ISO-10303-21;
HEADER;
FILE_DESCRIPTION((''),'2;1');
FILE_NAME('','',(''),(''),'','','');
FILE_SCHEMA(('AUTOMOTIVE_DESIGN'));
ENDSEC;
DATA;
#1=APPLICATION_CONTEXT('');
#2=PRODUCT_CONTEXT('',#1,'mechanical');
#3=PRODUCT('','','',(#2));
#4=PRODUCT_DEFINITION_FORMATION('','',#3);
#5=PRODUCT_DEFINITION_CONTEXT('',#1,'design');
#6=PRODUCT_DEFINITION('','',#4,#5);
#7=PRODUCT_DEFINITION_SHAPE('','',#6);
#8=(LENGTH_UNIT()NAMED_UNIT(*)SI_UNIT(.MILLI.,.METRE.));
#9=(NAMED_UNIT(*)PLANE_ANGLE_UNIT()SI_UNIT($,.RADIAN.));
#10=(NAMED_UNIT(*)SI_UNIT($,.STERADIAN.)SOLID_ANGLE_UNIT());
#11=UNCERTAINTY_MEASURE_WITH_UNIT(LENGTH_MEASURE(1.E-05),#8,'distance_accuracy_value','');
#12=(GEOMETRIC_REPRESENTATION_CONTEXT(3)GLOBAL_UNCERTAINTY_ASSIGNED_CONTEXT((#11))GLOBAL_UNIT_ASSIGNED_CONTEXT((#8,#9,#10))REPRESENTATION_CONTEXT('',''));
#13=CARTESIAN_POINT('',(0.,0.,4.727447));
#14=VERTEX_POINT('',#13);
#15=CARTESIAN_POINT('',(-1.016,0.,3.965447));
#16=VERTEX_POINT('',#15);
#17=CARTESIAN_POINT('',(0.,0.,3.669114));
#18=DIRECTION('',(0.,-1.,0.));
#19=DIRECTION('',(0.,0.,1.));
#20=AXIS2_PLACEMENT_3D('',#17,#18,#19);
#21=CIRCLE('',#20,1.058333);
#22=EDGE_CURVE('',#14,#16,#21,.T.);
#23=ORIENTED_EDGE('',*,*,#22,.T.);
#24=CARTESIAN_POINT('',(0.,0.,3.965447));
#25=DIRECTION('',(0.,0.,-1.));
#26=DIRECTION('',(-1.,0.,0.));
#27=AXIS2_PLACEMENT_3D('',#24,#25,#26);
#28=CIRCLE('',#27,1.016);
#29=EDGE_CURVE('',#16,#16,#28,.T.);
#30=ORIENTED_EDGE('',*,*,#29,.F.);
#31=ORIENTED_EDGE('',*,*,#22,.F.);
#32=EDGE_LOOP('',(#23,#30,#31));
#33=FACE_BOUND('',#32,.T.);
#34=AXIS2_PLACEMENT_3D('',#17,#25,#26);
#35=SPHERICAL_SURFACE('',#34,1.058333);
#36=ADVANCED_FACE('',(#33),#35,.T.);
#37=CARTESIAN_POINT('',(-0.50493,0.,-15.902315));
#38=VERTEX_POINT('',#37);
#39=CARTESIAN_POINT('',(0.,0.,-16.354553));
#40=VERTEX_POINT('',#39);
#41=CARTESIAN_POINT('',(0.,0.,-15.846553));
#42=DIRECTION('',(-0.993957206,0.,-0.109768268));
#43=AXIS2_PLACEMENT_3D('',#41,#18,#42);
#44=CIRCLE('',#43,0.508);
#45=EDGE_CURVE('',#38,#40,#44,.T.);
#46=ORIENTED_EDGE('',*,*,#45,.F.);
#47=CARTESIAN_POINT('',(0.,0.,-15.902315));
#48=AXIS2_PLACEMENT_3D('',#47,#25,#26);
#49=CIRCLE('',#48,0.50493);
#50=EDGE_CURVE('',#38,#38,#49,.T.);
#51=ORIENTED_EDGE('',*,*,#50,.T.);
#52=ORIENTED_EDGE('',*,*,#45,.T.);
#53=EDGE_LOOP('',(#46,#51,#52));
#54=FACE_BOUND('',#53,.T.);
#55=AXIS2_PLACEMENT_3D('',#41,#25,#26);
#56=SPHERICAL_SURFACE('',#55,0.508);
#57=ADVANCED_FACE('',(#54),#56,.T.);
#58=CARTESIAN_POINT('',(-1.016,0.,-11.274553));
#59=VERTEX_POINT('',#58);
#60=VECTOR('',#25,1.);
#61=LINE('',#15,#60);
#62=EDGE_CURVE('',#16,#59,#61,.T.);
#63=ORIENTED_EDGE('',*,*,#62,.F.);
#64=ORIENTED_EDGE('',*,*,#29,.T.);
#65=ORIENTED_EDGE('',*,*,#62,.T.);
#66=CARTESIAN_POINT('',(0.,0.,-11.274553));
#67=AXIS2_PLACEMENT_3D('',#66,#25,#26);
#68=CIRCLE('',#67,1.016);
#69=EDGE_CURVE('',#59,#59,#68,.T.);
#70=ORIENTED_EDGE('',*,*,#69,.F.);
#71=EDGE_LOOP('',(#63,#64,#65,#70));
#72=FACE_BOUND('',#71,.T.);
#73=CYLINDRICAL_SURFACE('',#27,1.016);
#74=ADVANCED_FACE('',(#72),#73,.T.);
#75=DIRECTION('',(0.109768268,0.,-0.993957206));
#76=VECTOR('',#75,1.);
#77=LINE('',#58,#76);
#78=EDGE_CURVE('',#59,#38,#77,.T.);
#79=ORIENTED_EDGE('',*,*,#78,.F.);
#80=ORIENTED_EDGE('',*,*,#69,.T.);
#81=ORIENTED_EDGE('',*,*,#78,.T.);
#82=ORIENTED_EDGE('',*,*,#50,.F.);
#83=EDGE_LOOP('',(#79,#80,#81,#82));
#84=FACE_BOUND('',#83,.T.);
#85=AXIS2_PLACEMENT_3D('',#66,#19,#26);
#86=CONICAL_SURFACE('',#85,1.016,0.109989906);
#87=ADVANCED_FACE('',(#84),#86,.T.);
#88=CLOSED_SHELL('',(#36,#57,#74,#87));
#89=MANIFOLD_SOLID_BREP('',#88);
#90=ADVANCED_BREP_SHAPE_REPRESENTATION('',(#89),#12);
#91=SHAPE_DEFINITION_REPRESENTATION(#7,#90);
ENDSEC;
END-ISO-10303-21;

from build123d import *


with BuildPart() as f1:
    # F0 (on Front) → F1 (revolve)
    with BuildSketch(Plane.XZ):
        Polygon((0, 3.6691137626), (0, 3.9654470959), (-1.016, 3.9654470959), (-1.016, -11.2745529041), (0, -11.2745529041), align=None)
        with BuildLine():
            Line((-1.016, 3.9654470959), (0, 3.9654470959))
            Line((0, 3.9654470959), (0, 4.7274470959))
            ThreePointArc((0, 4.7274470959), (-0.635, 4.5157804293), (-1.016, 3.9654470959))
        make_face()
        with BuildLine():
            Line((0, -16.3545529041), (0, -11.2745529041))
            Line((0, -11.2745529041), (-1.016, -11.2745529041))
            Line((-1.016, -11.2745529041), (-0.5049302606, -15.9023151842))
            ThreePointArc((-0.5049302606, -15.9023151842), (-0.3389223817, -16.2249648742), (0, -16.3545529041))
        make_face()
    revolve(axis=Axis((0, 0, -6.8781828024), (0, 0, -1)))


solid = f1.part
